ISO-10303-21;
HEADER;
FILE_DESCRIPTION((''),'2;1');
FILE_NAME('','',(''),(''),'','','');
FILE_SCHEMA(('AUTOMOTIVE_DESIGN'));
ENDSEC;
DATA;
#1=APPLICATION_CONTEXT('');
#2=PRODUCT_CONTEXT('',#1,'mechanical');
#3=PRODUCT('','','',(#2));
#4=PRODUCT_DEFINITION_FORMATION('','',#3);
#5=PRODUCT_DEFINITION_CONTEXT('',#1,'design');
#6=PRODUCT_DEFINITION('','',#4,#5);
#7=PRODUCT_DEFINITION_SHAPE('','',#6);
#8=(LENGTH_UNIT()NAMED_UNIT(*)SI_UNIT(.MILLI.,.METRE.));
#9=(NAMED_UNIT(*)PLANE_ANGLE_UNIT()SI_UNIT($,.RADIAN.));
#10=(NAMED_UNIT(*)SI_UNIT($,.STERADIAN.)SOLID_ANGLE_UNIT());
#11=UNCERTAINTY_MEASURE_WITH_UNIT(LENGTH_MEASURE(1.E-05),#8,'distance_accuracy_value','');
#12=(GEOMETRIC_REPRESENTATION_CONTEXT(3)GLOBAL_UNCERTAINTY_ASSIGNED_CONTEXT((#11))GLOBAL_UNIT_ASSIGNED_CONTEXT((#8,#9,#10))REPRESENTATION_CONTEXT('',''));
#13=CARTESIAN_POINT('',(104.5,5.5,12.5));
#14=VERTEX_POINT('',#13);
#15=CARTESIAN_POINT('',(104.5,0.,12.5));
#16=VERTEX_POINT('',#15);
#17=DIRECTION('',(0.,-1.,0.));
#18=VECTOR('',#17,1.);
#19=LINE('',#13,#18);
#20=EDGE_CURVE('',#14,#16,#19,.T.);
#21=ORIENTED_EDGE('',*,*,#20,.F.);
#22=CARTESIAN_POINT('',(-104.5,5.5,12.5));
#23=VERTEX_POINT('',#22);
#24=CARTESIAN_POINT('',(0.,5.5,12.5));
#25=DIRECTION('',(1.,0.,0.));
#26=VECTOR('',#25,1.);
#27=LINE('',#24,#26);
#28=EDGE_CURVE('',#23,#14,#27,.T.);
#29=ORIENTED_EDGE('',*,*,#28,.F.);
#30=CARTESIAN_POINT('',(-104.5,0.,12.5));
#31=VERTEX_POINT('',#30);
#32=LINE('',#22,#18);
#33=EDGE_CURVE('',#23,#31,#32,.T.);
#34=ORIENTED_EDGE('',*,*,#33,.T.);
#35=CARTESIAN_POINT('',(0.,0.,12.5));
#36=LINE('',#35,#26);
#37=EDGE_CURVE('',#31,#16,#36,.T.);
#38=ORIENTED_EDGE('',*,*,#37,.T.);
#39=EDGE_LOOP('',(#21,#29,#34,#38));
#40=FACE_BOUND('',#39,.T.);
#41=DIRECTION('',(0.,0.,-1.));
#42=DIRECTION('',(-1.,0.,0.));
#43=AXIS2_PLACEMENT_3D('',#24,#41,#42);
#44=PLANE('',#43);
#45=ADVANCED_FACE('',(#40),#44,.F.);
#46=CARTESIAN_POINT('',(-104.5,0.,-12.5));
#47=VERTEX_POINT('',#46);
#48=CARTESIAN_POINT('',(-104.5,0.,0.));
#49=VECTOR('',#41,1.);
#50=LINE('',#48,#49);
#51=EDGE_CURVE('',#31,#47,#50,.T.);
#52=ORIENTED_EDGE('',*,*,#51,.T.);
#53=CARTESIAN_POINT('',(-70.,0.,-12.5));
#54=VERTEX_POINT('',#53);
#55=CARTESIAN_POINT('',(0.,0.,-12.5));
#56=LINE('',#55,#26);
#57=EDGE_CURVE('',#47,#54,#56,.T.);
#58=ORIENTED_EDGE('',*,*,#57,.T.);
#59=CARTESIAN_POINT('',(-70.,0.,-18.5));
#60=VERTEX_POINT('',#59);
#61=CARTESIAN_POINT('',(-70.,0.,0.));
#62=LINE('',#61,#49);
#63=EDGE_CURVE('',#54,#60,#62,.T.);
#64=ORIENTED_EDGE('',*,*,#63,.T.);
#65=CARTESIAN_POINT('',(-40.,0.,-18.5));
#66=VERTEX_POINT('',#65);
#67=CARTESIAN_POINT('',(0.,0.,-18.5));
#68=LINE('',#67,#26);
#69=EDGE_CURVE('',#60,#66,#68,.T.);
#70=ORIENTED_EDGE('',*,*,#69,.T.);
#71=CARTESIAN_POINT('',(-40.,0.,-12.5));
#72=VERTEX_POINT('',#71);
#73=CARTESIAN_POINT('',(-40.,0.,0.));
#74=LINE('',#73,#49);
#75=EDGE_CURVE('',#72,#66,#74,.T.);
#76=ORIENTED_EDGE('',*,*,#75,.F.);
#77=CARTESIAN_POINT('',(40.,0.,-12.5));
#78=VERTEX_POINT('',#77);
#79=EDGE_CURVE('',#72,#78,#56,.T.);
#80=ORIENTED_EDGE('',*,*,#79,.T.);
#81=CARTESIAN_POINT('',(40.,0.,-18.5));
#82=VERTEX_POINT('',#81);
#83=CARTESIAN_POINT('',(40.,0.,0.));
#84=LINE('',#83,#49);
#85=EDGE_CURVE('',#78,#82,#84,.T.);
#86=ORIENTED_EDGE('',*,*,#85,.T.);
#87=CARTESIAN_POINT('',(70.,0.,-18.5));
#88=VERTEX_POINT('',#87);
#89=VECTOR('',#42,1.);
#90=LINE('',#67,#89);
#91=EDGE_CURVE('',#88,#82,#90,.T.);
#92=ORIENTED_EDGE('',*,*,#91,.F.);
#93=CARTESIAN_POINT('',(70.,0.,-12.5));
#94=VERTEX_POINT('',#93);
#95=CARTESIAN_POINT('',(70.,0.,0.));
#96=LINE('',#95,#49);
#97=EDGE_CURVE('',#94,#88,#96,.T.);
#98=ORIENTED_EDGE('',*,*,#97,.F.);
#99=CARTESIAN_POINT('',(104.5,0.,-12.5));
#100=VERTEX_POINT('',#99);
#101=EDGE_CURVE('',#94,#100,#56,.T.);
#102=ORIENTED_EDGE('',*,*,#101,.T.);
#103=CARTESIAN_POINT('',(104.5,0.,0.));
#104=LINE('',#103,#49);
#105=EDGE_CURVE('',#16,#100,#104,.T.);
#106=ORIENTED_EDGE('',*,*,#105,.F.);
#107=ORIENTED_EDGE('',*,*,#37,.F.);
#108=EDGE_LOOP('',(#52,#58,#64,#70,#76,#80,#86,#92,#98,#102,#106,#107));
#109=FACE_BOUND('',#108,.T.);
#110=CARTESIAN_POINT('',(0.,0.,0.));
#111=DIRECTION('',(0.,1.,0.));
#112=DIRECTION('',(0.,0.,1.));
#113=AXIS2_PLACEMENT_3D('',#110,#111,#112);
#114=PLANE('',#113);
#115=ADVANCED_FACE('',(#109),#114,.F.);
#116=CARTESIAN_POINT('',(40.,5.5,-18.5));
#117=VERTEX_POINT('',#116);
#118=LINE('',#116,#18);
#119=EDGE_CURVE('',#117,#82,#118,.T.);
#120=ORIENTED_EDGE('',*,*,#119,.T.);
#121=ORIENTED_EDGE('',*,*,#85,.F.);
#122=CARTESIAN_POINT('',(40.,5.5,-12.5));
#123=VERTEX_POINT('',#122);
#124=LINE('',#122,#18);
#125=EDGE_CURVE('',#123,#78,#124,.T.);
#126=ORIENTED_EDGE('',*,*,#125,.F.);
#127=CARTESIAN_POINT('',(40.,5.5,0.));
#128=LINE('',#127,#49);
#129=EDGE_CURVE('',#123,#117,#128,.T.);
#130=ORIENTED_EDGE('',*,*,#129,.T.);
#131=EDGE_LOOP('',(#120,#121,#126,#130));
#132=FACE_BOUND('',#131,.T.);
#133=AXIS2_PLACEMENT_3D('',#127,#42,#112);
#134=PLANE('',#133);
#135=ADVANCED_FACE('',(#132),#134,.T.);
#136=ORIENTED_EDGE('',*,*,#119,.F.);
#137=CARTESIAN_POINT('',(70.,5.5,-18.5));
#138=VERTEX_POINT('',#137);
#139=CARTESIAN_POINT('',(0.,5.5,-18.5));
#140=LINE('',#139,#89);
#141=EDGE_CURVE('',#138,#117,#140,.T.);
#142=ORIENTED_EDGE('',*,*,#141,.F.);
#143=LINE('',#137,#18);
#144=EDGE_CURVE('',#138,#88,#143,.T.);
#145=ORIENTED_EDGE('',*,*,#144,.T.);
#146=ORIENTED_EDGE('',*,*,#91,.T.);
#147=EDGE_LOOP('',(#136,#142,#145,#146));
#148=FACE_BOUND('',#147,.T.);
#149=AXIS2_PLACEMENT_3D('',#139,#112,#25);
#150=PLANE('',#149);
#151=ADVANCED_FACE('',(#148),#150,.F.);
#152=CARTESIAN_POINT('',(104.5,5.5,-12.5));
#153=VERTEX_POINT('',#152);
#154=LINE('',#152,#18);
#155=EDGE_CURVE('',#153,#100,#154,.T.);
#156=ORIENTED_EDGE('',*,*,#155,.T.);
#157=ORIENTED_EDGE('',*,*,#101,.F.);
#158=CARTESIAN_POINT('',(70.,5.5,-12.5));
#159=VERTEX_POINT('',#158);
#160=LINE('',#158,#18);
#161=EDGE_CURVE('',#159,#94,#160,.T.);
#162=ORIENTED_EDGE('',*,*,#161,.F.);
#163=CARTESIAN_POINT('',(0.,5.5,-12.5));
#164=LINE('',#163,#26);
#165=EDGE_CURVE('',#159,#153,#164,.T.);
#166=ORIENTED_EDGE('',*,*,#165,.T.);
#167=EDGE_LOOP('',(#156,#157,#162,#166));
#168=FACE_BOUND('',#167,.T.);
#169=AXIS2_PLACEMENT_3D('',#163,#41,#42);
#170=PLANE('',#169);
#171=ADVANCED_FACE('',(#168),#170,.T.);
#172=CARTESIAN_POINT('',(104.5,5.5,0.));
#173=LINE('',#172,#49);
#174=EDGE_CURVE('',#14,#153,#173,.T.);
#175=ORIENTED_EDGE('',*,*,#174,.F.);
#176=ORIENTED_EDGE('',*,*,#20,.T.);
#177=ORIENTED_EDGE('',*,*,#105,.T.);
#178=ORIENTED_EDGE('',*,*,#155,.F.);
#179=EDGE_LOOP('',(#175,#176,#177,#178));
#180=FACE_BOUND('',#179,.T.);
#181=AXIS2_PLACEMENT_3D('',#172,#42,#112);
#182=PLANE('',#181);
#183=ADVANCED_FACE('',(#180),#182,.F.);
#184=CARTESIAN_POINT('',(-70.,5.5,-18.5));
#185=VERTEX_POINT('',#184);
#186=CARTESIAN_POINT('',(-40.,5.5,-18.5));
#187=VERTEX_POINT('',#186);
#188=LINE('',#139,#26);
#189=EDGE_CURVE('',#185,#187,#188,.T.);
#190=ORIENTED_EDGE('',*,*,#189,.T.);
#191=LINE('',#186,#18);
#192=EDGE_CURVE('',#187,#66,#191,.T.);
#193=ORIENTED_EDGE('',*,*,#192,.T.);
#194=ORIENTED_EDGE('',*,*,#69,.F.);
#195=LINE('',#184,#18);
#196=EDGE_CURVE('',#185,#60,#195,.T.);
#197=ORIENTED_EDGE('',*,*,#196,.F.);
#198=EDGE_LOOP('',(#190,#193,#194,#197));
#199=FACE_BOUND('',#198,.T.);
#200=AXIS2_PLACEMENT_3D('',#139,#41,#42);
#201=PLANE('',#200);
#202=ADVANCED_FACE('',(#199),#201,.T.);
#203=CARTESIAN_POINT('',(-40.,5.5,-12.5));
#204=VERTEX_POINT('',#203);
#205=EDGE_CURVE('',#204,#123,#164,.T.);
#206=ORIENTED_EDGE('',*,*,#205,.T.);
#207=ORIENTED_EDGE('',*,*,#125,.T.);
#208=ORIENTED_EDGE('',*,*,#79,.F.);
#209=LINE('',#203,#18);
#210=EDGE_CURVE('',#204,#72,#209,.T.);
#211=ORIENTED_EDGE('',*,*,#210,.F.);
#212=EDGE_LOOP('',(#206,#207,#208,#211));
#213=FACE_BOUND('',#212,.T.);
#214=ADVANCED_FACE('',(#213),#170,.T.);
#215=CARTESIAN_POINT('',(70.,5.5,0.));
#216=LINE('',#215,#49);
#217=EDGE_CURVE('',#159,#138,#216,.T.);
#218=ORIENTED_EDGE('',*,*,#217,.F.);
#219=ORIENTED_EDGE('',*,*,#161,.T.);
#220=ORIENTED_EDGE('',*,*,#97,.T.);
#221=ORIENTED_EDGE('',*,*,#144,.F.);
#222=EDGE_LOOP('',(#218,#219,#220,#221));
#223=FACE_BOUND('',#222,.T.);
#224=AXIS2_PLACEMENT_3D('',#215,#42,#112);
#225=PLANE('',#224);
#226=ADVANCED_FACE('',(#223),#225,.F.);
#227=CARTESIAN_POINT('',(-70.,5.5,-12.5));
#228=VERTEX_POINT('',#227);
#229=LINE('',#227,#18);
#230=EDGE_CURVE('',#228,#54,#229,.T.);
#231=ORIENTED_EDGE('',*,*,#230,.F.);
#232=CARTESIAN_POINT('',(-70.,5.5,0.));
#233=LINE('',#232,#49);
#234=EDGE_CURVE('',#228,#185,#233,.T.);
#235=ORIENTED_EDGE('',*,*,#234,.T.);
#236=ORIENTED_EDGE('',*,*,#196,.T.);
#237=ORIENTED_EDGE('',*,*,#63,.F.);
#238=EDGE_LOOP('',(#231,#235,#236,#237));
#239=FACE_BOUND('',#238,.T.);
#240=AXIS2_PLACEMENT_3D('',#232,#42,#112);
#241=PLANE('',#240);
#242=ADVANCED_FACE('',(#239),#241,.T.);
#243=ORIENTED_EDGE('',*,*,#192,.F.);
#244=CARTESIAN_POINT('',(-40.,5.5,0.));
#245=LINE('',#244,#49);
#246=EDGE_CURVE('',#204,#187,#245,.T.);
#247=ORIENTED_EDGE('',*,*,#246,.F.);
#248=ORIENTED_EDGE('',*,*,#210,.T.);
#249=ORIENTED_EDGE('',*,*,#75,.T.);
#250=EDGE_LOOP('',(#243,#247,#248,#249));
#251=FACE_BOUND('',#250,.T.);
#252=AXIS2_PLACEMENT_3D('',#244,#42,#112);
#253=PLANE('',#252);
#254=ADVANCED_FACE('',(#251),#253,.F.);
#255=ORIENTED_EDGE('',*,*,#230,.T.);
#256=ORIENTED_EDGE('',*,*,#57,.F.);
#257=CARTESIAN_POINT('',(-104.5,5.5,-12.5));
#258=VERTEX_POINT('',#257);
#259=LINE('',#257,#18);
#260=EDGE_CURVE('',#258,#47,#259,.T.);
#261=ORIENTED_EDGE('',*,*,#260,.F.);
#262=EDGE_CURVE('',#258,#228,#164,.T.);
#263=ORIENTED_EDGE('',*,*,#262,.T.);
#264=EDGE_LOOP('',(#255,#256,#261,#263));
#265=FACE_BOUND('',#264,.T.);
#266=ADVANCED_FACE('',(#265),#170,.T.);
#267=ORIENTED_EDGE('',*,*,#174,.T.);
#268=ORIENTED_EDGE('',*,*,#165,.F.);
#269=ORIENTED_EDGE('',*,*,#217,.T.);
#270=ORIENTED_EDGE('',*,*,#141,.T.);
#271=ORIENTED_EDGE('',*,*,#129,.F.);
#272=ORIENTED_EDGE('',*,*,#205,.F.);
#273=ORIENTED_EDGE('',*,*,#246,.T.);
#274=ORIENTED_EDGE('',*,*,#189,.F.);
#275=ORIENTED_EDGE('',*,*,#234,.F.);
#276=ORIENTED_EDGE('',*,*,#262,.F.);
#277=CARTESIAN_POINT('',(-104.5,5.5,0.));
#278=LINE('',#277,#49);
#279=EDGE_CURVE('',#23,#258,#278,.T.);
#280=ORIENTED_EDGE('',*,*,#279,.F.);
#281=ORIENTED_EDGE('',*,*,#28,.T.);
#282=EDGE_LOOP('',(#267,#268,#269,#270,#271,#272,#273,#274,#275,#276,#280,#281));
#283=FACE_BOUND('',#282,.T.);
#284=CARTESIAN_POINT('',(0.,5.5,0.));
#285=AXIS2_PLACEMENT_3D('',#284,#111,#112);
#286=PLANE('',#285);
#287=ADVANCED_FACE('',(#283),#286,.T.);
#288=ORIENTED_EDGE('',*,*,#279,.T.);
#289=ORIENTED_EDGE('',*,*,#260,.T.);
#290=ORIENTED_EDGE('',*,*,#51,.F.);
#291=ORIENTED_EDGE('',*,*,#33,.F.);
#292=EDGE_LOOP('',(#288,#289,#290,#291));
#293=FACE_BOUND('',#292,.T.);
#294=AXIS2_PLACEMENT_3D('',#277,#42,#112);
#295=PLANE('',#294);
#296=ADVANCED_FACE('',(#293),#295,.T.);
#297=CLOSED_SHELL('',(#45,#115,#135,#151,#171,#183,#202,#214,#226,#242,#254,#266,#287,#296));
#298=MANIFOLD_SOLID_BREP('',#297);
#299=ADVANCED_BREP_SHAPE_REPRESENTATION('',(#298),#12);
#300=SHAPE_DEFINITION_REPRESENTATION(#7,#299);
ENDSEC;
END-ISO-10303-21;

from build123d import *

# Parameters (mm, degrees)
SKETCH1_W           = 30
SKETCH1_H           = 6
SKETCH1_W_2         = 209
SKETCH1_H_2         = 25
BOSS_EXTRUDE1_DEPTH = 5.5


with BuildPart() as part:
    # Sketch1 → Boss-Extrude1 (new body)
    with BuildSketch(Plane(origin=(0, 0, 0), x_dir=(1, 0, 0), z_dir=(0, 1, 0))):
        with Locations((-55, 15.5)):
            Rectangle(SKETCH1_W, SKETCH1_H)
        Rectangle(SKETCH1_W_2, SKETCH1_H_2)
        with Locations((55, 15.5)):
            Rectangle(SKETCH1_W, SKETCH1_H)
    extrude(amount=BOSS_EXTRUDE1_DEPTH)


solid = part.part
